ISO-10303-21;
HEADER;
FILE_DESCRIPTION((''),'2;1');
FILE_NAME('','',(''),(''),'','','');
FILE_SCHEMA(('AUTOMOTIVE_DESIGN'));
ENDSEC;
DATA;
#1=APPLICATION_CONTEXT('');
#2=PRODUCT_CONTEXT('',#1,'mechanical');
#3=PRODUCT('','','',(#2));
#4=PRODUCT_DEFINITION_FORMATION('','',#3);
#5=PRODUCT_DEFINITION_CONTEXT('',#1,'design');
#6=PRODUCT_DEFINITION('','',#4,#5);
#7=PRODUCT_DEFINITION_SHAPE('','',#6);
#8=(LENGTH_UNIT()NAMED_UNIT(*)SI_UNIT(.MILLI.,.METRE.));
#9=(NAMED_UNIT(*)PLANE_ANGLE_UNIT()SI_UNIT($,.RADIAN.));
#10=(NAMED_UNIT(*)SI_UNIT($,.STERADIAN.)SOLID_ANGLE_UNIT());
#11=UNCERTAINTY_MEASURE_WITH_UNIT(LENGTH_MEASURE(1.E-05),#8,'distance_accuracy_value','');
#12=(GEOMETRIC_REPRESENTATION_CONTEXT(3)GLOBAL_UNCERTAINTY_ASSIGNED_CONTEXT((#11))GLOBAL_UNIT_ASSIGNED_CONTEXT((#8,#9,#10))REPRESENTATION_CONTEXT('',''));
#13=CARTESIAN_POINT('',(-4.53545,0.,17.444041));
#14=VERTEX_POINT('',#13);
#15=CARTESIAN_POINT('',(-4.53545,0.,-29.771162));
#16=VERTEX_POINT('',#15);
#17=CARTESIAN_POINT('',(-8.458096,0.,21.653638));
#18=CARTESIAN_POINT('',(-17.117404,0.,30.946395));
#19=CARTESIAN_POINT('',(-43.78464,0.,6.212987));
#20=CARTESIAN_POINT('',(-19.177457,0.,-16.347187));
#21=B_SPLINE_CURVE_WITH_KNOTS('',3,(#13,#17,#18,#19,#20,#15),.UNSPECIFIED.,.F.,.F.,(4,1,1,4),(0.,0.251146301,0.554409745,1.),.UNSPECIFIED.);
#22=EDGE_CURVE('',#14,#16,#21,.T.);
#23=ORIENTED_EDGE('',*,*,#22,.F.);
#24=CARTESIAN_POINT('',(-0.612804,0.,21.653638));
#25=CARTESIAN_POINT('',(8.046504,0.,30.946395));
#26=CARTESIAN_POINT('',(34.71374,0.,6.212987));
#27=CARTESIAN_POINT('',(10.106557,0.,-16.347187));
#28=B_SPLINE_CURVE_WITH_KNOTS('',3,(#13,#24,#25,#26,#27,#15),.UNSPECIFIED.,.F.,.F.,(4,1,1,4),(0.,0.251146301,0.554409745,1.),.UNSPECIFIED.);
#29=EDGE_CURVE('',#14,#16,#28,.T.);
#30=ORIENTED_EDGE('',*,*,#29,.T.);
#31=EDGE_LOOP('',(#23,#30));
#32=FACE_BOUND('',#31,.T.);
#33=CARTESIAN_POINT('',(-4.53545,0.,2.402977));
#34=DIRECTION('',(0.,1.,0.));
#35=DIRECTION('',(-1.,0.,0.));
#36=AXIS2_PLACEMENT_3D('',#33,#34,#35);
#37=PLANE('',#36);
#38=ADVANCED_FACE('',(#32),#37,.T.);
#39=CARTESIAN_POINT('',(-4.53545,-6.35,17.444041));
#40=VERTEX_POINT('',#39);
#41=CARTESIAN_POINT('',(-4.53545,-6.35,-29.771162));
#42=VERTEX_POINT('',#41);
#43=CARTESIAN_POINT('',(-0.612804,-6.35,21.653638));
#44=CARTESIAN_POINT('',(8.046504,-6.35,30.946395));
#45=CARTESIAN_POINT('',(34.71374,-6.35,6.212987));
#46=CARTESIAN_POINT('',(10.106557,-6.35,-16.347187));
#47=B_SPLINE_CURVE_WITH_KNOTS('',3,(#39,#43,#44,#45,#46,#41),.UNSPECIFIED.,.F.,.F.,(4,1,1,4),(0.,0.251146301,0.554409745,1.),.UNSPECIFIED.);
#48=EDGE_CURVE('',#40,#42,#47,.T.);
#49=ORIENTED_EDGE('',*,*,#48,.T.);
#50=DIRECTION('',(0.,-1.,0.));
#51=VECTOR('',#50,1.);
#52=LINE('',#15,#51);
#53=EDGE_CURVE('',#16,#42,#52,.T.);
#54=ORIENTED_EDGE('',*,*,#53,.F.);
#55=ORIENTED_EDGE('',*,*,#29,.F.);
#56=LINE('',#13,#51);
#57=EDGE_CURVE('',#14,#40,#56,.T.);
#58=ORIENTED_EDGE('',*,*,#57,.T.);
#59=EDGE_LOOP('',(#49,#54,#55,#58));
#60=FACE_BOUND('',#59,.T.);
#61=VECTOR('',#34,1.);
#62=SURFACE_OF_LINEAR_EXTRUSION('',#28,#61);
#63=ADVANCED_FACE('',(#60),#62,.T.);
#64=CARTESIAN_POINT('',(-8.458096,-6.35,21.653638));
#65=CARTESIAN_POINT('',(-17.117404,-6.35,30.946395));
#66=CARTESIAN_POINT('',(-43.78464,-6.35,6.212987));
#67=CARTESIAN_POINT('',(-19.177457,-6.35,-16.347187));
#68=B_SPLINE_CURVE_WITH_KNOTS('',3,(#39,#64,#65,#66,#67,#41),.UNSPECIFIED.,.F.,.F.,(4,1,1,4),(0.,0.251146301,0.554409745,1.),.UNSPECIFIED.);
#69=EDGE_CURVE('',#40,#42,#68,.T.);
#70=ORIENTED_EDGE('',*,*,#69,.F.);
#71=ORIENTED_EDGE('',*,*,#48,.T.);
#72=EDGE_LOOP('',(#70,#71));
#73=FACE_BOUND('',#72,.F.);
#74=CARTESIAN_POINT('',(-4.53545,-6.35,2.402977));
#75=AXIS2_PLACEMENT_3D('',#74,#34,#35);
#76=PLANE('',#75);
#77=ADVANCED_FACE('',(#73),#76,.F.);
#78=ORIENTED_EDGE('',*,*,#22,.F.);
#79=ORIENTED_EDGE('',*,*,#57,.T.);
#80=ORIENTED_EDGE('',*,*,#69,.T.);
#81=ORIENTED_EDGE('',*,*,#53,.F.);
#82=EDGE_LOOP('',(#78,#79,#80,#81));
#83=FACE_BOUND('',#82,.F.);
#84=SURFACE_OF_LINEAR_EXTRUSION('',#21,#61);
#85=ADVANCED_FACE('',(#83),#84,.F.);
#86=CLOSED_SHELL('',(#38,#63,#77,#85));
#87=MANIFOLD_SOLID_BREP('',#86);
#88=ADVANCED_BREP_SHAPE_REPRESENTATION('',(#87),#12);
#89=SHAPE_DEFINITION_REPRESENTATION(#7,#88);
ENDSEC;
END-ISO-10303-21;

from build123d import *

# Parameters (mm, degrees)
F1_DEPTH = 6.35


with BuildPart() as f1:
    # F0 (on Front) → F1 (new body)
    with BuildSketch(Plane.XZ):
        with BuildLine():
            add(Edge.make_bspline(
                [(-4.5354501344, 17.4440406263), (-0.6128041929, 21.6536375326), (8.0465036616, 30.9463945385), (34.7137397861, 6.21298672), (10.1065567027, -16.3471869369), (-4.5354501344, -29.771162197)],
                knots=[0, 0, 0, 0, 0.251146301, 0.5544097452, 1, 1, 1, 1], degree=3))
            add(Edge.make_bspline(
                [(-4.5354501344, 17.4440406263), (-8.458096076, 21.6536375326), (-17.1174039304, 30.9463945385), (-43.7846400549, 6.21298672), (-19.1774569715, -16.3471869369), (-4.5354501344, -29.771162197)],
                knots=[0, 0, 0, 0, 0.251146301, 0.5544097452, 1, 1, 1, 1], degree=3))
        make_face()
    extrude(amount=F1_DEPTH)


solid = f1.part
